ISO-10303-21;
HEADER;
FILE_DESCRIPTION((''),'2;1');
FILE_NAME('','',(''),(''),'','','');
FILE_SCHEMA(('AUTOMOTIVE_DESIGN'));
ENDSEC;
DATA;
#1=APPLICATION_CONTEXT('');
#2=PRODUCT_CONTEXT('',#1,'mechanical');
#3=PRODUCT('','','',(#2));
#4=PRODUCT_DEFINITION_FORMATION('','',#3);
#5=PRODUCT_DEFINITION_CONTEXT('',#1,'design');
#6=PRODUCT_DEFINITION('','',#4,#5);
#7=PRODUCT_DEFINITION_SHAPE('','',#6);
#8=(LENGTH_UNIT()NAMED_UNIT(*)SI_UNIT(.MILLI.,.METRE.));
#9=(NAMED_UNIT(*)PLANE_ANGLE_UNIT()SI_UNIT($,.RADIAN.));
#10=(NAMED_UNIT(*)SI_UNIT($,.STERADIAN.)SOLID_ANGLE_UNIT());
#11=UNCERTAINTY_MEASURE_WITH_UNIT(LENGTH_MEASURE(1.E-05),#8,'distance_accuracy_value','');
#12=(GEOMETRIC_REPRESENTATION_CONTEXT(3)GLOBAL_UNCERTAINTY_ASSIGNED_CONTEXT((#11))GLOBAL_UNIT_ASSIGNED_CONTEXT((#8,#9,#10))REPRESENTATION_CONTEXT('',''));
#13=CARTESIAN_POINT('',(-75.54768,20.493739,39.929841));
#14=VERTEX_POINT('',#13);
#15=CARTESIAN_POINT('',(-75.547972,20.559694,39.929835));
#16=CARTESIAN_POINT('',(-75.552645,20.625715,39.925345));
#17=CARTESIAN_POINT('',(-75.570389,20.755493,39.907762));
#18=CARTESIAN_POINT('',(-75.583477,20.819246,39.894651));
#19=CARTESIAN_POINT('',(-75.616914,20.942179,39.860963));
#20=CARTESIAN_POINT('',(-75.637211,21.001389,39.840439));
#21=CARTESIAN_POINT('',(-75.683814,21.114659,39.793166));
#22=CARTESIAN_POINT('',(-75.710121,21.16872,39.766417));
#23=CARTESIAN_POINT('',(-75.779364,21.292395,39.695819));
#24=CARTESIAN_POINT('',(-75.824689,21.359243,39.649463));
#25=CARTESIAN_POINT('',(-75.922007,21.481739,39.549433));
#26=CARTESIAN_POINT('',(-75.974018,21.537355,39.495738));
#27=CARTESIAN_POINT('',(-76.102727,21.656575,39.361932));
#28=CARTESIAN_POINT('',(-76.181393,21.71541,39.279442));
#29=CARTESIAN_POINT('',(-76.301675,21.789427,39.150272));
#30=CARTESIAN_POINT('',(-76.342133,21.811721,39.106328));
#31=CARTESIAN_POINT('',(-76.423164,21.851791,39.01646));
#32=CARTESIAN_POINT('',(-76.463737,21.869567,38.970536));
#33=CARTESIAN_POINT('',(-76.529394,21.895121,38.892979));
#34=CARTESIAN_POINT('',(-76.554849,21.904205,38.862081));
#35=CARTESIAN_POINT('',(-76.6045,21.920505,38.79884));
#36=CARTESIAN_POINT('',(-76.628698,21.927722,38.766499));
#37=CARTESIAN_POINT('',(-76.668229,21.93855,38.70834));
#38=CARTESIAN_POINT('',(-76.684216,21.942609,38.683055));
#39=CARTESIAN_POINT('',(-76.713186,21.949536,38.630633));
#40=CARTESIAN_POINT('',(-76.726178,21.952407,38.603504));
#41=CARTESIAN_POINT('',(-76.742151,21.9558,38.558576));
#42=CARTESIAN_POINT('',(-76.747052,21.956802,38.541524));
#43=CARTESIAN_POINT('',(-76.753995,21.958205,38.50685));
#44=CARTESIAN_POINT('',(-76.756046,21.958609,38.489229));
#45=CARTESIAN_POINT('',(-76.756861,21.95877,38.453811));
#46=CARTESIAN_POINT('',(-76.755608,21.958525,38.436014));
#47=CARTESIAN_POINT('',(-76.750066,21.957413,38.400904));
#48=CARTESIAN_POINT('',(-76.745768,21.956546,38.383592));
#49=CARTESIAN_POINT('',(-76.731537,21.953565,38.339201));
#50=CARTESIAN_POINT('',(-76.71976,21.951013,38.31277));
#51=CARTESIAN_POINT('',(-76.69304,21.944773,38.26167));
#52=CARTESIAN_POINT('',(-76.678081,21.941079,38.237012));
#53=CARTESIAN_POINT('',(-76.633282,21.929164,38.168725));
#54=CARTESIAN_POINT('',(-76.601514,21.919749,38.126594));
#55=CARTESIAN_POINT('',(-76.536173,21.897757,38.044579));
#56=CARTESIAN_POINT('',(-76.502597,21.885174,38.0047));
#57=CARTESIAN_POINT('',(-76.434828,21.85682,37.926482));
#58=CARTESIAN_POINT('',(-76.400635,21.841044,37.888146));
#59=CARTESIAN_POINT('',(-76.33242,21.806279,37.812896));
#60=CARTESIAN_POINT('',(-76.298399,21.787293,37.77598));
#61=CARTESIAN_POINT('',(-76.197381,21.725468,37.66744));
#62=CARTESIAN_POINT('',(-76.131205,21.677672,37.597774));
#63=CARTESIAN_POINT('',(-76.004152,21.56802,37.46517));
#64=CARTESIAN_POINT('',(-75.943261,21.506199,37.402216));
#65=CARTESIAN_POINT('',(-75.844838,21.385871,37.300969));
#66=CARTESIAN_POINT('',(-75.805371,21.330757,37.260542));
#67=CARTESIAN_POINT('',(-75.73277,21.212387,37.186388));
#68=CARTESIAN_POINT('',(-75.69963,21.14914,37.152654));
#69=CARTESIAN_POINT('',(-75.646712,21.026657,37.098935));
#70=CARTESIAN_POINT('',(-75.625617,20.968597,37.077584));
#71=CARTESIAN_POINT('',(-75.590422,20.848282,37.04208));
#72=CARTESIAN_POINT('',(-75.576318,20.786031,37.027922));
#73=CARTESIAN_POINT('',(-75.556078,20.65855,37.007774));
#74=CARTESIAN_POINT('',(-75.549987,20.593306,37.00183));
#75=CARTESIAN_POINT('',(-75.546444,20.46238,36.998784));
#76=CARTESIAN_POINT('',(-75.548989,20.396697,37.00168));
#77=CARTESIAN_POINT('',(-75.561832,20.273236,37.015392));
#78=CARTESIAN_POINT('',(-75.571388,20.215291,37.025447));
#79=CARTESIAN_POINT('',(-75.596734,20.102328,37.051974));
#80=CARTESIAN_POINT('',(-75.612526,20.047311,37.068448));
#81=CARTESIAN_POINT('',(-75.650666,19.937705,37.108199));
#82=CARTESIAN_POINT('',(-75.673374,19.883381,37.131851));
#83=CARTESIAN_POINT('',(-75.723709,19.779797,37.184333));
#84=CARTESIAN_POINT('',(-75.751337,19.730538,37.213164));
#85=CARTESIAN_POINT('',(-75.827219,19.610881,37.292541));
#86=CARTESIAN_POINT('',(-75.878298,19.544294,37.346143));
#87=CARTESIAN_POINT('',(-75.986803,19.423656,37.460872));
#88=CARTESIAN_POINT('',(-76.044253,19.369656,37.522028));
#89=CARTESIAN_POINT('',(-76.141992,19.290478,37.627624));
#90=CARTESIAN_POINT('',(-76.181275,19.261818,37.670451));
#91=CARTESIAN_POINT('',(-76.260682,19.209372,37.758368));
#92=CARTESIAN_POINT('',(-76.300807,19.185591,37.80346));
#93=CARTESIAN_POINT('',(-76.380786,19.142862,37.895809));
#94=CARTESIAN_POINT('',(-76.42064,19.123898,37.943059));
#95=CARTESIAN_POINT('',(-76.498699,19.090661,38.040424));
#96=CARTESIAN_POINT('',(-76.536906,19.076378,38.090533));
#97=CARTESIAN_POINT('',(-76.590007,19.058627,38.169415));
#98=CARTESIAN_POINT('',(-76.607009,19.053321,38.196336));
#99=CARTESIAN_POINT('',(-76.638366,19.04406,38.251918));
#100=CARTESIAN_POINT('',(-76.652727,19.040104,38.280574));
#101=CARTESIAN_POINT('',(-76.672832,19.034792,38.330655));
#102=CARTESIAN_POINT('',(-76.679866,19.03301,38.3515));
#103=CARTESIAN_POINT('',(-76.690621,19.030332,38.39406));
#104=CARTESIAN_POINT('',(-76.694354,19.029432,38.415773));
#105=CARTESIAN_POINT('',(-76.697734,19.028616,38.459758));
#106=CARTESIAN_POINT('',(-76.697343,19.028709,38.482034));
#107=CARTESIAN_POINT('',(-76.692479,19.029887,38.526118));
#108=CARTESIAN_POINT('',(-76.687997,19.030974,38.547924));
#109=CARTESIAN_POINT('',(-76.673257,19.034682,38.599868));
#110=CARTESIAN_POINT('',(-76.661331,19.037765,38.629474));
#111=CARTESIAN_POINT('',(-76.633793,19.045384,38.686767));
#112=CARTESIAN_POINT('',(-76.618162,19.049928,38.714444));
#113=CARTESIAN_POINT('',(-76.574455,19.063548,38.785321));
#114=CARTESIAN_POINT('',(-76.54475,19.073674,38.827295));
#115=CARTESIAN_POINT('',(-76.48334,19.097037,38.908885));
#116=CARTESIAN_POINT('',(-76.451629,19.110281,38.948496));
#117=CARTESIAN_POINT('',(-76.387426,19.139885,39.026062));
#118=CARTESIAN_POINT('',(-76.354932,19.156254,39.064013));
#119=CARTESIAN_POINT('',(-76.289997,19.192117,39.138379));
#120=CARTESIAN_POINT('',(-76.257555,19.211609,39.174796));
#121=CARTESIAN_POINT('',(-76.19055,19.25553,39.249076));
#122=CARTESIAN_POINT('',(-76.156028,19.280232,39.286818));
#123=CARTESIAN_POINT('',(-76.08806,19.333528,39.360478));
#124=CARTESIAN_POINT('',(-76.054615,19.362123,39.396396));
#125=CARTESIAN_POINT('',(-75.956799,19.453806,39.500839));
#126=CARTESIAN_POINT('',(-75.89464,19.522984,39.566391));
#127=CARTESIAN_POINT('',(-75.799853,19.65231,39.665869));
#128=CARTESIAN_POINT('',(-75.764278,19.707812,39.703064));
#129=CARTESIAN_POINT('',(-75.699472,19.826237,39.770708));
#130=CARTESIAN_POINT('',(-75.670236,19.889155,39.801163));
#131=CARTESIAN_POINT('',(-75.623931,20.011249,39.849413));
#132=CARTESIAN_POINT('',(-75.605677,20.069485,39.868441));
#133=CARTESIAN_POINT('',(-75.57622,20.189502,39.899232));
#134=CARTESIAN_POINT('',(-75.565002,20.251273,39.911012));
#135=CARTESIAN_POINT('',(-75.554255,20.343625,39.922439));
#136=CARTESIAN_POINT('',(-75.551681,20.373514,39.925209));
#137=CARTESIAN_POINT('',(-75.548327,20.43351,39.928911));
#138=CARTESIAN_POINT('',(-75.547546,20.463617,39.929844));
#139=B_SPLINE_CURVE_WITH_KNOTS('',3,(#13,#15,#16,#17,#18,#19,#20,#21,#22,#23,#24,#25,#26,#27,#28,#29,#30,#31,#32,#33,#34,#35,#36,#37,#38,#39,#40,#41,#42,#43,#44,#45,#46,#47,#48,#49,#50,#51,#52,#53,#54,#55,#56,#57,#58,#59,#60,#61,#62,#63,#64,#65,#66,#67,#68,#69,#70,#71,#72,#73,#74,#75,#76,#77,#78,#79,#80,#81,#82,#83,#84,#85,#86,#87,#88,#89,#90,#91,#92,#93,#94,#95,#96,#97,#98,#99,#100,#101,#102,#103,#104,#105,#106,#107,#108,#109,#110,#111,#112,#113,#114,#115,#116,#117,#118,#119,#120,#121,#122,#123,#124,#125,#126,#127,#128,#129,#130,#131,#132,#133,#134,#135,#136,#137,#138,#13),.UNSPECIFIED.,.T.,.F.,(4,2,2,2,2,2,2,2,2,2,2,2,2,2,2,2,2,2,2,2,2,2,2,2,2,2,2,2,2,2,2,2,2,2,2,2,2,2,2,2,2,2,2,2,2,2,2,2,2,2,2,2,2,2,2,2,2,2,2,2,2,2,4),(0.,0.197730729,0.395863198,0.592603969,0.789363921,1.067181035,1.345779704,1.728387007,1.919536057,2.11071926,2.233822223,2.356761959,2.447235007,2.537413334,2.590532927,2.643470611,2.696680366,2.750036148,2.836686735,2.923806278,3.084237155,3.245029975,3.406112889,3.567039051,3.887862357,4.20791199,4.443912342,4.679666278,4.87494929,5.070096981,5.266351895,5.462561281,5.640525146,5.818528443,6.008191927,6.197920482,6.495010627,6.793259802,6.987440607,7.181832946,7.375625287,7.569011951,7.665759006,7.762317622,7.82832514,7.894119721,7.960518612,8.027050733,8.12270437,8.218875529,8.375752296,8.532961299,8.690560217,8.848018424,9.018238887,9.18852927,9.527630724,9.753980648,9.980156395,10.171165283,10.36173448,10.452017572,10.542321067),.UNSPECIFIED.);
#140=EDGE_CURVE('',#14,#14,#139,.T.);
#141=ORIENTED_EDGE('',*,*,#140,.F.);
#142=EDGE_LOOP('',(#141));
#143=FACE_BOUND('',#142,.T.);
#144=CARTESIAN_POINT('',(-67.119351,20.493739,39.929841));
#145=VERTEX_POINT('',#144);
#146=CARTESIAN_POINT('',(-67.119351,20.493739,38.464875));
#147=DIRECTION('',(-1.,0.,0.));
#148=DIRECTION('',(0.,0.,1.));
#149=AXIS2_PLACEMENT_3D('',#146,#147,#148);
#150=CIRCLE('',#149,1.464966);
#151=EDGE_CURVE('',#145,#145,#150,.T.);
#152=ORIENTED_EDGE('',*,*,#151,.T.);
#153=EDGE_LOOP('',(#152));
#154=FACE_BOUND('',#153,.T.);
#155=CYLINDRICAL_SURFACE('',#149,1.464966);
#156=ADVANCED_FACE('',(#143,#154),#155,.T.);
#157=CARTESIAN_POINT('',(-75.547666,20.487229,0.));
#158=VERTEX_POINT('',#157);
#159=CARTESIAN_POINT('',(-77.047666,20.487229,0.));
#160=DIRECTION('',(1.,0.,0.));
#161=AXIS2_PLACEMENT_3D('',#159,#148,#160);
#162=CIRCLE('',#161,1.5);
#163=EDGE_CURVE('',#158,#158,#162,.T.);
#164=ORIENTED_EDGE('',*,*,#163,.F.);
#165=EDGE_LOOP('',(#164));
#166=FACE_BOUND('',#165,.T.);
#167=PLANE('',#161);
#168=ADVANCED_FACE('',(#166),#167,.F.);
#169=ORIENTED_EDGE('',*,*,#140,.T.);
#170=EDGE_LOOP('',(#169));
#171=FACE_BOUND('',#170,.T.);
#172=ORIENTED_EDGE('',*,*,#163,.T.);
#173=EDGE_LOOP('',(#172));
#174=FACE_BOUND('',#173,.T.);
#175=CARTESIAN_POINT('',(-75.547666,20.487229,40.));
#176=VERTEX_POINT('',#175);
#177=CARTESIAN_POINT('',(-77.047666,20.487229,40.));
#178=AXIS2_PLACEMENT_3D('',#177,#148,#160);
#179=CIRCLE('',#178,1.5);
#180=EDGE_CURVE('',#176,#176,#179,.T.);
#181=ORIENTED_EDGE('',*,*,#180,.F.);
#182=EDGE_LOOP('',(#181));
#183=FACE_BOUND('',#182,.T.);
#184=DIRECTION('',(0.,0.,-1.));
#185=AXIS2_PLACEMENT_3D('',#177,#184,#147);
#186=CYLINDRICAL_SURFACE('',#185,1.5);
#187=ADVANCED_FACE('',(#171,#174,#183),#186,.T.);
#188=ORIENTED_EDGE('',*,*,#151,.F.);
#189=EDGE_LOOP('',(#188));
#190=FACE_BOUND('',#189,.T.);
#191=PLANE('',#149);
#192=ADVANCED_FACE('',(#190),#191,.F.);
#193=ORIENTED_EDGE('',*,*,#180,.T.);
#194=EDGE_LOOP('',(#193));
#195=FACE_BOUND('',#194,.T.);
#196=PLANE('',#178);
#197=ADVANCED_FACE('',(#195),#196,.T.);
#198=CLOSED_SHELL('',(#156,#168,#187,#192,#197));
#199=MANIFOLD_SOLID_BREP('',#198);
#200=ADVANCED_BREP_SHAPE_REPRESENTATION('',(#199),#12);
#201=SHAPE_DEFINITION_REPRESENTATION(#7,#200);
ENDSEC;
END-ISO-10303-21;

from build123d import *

# Parameters (mm, degrees)
SKETCH3_R           = 1.5
BOSS_EXTRUDE1_DEPTH = 40
SKETCH4_W           = 10
SKETCH4_H           = 1.987336218
EXTRUDE_THIN1_DEPTH = 10
SKETCH7_R           = 1.464965711
BOSS_EXTRUDE4_DEPTH = 10
SKETCH9_W           = 11.25222939
SKETCH9_H           = 3.128852859
CUT_EXTRUDE1_DEPTH  = 57.344455031


with BuildPart() as part:
    # Sketch3 → Boss-Extrude1 (new body)
    with BuildSketch(Plane.XY):
        with Locations((-77.047665821, 20.487229207)):
            Circle(SKETCH3_R)
    extrude(amount=BOSS_EXTRUDE1_DEPTH)

    # Sketch4 → Extrude-Thin1 (add)
    with BuildSketch(Plane.XY.offset(40)):
        with Locations((-72.119350757, 22.979183427)):
            Rectangle(SKETCH4_W, SKETCH4_H)
    extrude(amount=EXTRUDE_THIN1_DEPTH)

    # Sketch7 → Boss-Extrude4 (add)
    with BuildSketch(Plane.ZY.offset(77.119350757)):
        with Locations((38.46487538, 20.493738907)):
            Circle(SKETCH7_R)
    extrude(amount=-BOSS_EXTRUDE4_DEPTH)

    # Sketch9 → Cut-Extrude1 (cut, through all)
    with BuildSketch(Plane.ZY.offset(77.119350757)):
        with Locations((45.626114695, 22.408425107)):
            Rectangle(SKETCH9_W, SKETCH9_H)
    extrude(amount=-CUT_EXTRUDE1_DEPTH, mode=Mode.SUBTRACT)


solid = part.part
